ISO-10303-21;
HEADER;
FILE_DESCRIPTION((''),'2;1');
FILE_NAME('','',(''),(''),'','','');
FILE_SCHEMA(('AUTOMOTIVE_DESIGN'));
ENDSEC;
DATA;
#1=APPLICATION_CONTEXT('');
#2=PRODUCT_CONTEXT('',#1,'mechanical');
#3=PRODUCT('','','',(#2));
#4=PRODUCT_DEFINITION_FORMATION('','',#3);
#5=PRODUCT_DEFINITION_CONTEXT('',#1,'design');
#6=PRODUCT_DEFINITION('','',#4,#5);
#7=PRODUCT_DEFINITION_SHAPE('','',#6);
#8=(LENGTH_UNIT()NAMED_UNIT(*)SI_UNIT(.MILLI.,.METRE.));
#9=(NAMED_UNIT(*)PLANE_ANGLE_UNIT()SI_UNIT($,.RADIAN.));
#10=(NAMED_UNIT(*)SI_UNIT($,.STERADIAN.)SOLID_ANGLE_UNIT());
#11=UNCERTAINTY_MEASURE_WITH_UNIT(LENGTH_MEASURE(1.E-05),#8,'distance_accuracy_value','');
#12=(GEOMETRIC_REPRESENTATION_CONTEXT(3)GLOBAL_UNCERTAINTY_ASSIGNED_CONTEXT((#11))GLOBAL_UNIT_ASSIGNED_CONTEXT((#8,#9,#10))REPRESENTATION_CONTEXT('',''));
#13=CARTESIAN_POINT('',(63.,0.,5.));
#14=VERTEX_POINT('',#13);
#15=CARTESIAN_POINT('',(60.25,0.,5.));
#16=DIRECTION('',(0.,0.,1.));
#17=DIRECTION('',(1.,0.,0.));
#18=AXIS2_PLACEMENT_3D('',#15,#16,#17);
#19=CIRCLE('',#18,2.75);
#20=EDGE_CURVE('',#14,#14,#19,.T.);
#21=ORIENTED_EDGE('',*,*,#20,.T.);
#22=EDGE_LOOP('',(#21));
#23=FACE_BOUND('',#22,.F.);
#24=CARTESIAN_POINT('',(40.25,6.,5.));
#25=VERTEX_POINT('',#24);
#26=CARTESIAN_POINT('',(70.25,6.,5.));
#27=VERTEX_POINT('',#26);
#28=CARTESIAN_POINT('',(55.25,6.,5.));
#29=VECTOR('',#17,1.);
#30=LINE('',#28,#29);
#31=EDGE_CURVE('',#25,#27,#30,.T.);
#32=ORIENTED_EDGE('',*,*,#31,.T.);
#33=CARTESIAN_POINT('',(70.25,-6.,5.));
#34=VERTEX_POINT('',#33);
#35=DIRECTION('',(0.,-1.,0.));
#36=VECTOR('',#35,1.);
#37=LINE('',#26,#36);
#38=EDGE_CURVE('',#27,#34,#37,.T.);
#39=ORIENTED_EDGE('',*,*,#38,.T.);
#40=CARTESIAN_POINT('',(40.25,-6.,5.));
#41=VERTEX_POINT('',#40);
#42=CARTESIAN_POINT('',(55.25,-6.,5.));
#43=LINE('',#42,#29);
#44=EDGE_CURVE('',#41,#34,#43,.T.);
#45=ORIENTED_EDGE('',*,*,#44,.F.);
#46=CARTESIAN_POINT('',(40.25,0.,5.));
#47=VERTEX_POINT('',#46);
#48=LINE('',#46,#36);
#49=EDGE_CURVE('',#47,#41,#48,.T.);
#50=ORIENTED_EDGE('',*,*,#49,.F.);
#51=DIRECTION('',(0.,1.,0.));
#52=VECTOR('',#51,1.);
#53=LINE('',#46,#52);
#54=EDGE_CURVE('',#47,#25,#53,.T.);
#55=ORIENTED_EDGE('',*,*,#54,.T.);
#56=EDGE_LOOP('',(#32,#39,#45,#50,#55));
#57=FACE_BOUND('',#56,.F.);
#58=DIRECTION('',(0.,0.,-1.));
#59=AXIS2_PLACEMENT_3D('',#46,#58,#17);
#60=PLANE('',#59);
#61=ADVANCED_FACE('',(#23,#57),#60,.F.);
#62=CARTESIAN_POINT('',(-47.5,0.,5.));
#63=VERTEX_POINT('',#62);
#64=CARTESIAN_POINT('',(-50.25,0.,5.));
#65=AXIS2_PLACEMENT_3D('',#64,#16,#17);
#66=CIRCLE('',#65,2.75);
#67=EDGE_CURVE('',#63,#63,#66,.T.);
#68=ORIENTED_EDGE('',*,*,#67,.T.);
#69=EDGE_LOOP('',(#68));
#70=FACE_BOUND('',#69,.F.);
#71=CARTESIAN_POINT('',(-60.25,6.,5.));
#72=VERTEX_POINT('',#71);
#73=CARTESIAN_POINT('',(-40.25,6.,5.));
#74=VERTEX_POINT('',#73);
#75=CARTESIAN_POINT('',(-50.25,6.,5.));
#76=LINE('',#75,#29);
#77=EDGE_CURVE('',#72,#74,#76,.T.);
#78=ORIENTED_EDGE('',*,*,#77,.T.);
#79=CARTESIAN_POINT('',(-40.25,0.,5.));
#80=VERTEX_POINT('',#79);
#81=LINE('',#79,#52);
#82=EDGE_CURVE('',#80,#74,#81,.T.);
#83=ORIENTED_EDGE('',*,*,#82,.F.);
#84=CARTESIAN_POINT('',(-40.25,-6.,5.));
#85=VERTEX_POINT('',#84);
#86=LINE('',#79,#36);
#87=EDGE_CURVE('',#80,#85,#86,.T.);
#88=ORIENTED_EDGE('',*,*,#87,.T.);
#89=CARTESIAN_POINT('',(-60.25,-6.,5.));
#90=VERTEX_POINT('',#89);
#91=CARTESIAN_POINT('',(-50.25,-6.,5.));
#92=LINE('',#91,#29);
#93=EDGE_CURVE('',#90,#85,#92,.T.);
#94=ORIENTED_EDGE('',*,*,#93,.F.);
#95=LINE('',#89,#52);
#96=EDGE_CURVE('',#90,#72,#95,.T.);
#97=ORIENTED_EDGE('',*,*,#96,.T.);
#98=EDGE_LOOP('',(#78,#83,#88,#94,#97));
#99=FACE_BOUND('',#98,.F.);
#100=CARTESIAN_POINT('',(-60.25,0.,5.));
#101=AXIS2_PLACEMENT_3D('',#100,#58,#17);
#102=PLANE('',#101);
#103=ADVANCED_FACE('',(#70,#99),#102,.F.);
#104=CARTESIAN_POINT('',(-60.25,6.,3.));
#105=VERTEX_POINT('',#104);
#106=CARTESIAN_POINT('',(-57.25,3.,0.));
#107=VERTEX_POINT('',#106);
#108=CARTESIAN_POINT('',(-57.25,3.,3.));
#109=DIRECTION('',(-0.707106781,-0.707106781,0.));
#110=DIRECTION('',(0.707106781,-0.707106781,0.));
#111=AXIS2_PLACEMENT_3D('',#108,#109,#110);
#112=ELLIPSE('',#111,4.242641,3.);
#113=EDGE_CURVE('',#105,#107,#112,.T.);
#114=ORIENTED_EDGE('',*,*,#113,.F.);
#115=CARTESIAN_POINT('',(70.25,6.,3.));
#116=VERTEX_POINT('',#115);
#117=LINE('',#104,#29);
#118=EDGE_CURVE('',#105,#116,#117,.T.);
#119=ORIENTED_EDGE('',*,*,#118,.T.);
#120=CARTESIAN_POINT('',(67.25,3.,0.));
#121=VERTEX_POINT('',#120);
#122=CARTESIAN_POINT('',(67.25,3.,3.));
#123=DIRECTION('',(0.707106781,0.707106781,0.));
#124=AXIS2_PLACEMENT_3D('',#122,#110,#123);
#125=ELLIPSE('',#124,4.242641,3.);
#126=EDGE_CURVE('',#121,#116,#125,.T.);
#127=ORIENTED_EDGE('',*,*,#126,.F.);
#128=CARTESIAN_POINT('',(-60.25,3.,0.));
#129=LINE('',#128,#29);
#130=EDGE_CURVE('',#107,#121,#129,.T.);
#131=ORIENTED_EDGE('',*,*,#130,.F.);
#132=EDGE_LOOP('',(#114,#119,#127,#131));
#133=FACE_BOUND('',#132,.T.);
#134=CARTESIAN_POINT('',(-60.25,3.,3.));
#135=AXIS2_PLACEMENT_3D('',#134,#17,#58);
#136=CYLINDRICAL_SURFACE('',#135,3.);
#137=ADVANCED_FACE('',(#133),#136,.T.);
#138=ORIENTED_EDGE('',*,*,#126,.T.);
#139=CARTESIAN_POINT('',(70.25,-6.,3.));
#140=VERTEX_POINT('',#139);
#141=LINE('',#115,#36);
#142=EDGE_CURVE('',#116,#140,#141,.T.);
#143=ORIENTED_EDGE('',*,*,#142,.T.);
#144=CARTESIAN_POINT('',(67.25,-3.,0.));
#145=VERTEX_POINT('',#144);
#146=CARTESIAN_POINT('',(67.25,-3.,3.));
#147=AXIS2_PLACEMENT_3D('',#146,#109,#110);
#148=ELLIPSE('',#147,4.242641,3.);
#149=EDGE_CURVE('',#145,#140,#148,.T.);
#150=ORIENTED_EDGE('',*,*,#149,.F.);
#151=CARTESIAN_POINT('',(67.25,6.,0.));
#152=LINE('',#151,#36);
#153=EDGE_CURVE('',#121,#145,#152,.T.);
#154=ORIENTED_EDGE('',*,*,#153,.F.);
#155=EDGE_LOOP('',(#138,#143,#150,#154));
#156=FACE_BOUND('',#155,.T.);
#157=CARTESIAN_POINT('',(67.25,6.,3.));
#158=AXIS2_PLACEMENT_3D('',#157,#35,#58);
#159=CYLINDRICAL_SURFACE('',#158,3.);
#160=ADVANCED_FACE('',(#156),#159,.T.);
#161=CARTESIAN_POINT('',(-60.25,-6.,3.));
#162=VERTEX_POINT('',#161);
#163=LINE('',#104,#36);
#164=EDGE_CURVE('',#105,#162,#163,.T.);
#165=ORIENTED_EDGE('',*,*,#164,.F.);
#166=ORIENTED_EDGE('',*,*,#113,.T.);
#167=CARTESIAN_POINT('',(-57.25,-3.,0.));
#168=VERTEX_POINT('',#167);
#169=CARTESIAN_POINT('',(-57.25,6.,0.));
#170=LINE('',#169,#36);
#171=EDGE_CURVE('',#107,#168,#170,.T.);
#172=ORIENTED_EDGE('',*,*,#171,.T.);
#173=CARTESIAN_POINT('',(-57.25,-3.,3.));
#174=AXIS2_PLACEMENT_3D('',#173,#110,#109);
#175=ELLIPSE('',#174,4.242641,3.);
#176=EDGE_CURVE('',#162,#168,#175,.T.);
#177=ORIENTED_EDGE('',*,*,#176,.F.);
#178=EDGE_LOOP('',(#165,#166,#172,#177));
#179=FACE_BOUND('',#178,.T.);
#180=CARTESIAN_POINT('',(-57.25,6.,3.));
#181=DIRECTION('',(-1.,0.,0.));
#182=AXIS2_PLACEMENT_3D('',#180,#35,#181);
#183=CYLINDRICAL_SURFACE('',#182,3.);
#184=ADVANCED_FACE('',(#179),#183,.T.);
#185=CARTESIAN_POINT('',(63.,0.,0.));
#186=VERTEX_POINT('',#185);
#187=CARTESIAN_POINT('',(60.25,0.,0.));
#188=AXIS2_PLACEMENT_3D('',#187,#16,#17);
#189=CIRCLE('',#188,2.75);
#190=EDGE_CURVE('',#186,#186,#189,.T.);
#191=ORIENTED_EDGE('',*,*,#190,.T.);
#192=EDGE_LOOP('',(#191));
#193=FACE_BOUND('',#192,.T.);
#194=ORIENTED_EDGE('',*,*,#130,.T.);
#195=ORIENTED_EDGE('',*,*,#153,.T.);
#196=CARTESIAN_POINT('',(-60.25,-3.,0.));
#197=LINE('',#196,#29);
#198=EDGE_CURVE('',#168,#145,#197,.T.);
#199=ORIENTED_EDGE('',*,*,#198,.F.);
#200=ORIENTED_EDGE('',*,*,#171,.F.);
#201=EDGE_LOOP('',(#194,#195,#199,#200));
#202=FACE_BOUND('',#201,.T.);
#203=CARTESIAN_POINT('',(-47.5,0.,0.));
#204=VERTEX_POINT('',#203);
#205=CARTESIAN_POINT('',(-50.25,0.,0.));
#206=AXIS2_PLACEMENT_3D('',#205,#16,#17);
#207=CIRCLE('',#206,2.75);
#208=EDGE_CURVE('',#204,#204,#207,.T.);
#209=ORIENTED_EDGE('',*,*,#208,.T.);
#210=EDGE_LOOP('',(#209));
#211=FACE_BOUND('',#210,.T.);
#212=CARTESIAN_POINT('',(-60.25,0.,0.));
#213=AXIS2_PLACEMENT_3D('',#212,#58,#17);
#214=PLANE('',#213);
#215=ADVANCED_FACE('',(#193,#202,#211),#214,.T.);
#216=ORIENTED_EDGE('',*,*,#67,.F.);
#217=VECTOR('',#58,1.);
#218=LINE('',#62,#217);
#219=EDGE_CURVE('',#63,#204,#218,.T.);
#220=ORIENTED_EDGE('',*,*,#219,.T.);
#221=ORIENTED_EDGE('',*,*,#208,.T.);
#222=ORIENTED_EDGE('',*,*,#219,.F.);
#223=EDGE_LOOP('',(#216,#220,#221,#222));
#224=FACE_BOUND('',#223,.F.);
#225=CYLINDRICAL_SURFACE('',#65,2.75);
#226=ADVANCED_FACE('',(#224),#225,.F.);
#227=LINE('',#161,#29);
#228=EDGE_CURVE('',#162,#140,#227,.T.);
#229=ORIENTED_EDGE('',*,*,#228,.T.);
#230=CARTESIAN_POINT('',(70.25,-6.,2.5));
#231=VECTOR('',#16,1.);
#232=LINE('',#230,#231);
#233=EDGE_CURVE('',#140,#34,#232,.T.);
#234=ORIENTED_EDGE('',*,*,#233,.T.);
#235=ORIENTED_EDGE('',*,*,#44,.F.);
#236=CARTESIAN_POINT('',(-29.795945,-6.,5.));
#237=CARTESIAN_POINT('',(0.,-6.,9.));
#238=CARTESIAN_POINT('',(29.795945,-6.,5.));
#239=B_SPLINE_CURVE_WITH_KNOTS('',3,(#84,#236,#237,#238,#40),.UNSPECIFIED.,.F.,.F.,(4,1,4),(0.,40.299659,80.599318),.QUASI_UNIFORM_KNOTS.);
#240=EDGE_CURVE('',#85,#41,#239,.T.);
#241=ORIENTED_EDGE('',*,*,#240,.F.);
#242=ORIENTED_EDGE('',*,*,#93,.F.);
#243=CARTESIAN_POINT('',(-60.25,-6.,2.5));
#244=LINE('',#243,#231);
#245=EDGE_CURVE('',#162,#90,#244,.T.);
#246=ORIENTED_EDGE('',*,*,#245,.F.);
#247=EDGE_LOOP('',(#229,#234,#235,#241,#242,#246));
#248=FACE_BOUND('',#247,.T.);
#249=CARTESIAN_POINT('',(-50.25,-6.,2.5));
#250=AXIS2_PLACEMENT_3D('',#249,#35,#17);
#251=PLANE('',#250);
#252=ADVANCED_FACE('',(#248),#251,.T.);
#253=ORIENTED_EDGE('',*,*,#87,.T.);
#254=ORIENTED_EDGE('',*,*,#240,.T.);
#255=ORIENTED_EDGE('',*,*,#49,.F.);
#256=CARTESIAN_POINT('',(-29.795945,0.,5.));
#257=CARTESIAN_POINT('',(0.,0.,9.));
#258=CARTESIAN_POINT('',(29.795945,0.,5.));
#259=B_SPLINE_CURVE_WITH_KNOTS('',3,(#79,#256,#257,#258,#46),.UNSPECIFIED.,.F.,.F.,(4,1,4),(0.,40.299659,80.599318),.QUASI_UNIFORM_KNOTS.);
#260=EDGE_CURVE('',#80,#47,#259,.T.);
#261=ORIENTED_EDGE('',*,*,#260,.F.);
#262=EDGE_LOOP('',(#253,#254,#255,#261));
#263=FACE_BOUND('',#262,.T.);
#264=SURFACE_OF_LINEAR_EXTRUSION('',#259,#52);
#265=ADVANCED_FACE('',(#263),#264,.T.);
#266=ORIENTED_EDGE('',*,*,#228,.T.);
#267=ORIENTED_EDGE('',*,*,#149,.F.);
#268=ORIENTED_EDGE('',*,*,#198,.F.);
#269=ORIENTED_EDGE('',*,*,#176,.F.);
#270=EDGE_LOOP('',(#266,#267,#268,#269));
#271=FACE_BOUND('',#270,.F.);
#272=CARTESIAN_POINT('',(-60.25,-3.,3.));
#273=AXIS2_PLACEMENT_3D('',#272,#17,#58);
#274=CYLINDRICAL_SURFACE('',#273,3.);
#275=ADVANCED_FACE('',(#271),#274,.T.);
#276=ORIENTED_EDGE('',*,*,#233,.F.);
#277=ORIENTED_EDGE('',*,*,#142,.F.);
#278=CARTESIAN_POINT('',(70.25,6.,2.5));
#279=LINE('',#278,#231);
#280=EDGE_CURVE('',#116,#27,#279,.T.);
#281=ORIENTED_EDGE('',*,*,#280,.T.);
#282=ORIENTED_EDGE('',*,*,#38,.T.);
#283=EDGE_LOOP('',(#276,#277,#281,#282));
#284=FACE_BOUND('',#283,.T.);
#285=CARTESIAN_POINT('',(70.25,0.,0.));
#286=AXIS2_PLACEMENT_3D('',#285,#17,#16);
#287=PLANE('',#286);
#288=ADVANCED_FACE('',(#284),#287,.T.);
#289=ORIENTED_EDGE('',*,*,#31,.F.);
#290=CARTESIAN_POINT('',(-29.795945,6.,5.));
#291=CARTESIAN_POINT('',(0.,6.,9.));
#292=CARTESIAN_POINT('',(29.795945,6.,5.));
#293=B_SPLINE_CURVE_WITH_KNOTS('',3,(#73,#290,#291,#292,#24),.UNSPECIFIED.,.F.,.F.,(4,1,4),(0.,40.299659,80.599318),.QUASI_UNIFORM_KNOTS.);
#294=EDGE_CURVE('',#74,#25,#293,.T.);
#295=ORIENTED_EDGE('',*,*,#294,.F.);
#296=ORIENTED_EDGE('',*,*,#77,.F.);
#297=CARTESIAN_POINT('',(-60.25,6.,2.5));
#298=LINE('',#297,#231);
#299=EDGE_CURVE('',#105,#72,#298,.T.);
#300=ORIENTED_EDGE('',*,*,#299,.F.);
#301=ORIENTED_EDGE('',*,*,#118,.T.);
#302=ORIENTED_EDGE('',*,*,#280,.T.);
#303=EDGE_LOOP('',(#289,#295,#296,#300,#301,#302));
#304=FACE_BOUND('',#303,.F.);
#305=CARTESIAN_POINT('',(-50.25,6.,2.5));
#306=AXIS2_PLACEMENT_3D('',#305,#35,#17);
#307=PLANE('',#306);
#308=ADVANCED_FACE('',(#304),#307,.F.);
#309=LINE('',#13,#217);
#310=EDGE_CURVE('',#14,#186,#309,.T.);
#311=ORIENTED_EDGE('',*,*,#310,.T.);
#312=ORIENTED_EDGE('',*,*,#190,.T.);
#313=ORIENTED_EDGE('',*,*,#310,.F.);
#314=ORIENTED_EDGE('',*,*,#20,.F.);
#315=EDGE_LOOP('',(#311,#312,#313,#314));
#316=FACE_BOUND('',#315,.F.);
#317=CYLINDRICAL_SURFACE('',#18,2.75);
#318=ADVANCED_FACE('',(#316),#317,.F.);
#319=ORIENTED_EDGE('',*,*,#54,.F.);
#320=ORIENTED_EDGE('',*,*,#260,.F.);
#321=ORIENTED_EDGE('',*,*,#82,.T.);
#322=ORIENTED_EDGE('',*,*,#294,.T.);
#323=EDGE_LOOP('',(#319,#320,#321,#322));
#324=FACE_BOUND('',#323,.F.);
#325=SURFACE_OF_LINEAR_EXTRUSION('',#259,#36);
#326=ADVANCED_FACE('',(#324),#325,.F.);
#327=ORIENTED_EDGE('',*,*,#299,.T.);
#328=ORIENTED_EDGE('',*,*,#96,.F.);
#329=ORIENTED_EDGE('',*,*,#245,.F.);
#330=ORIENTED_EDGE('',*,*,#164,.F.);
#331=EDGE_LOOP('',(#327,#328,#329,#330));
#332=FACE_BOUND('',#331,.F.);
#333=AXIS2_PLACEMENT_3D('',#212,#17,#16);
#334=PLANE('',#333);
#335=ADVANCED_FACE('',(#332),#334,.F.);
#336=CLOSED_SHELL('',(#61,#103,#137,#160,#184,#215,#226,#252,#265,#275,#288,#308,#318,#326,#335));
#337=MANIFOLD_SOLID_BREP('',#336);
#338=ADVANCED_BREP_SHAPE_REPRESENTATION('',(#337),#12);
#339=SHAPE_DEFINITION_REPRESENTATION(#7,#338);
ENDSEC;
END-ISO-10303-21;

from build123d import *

# Parameters (mm, degrees)
F0_W     = 20
F0_H     = 5
F0_W_2   = 30
F1_DEPTH = 6
F2_R     = 2.75
F3_DEPTH = 5.001
F4_R     = 3


with BuildPart() as f1:
    # F0 (on Front) → F1 (new body, symmetric)
    with BuildSketch(Plane.XZ):
        with Locations((-50.25, 2.5)):
            Rectangle(F0_W, F0_H)
        with BuildLine():
            add(Edge.make_bspline(
                [(-40.25, 5), (-29.795945, 5), (0, 9), (29.795945, 5), (40.25, 5)],
                knots=[0, 0, 0, 0, 40.299659, 80.599318, 80.599318, 80.599318, 80.599318], degree=3))
            Line((-40.25, 5), (-40.25, 0))
            Line((-40.25, 0), (40.25, 0))
            Line((40.25, 0), (40.25, 5))
        make_face()
        with Locations((55.25, 2.5)):
            Rectangle(F0_W_2, F0_H)
    extrude(amount=F1_DEPTH, both=True)

    # F2 (on face) → F3 (cut, through all)
    with BuildSketch(Plane.XY.offset(5)):
        with Locations((-50.25, 0)):
            Circle(F2_R)
        with Locations((60.25, 0)):
            Circle(F2_R)
    extrude(amount=-F3_DEPTH, mode=Mode.SUBTRACT)

    # F4
    f4_edges = [f1.edges().sort_by_distance(p)[0] for p in [
        (-60.25, 0, 0),
        (5, -6, 0),
        (5, 6, 0),
        (70.25, 0, 0),
    ]]
    fillet(f4_edges, radius=F4_R)


solid = f1.part
